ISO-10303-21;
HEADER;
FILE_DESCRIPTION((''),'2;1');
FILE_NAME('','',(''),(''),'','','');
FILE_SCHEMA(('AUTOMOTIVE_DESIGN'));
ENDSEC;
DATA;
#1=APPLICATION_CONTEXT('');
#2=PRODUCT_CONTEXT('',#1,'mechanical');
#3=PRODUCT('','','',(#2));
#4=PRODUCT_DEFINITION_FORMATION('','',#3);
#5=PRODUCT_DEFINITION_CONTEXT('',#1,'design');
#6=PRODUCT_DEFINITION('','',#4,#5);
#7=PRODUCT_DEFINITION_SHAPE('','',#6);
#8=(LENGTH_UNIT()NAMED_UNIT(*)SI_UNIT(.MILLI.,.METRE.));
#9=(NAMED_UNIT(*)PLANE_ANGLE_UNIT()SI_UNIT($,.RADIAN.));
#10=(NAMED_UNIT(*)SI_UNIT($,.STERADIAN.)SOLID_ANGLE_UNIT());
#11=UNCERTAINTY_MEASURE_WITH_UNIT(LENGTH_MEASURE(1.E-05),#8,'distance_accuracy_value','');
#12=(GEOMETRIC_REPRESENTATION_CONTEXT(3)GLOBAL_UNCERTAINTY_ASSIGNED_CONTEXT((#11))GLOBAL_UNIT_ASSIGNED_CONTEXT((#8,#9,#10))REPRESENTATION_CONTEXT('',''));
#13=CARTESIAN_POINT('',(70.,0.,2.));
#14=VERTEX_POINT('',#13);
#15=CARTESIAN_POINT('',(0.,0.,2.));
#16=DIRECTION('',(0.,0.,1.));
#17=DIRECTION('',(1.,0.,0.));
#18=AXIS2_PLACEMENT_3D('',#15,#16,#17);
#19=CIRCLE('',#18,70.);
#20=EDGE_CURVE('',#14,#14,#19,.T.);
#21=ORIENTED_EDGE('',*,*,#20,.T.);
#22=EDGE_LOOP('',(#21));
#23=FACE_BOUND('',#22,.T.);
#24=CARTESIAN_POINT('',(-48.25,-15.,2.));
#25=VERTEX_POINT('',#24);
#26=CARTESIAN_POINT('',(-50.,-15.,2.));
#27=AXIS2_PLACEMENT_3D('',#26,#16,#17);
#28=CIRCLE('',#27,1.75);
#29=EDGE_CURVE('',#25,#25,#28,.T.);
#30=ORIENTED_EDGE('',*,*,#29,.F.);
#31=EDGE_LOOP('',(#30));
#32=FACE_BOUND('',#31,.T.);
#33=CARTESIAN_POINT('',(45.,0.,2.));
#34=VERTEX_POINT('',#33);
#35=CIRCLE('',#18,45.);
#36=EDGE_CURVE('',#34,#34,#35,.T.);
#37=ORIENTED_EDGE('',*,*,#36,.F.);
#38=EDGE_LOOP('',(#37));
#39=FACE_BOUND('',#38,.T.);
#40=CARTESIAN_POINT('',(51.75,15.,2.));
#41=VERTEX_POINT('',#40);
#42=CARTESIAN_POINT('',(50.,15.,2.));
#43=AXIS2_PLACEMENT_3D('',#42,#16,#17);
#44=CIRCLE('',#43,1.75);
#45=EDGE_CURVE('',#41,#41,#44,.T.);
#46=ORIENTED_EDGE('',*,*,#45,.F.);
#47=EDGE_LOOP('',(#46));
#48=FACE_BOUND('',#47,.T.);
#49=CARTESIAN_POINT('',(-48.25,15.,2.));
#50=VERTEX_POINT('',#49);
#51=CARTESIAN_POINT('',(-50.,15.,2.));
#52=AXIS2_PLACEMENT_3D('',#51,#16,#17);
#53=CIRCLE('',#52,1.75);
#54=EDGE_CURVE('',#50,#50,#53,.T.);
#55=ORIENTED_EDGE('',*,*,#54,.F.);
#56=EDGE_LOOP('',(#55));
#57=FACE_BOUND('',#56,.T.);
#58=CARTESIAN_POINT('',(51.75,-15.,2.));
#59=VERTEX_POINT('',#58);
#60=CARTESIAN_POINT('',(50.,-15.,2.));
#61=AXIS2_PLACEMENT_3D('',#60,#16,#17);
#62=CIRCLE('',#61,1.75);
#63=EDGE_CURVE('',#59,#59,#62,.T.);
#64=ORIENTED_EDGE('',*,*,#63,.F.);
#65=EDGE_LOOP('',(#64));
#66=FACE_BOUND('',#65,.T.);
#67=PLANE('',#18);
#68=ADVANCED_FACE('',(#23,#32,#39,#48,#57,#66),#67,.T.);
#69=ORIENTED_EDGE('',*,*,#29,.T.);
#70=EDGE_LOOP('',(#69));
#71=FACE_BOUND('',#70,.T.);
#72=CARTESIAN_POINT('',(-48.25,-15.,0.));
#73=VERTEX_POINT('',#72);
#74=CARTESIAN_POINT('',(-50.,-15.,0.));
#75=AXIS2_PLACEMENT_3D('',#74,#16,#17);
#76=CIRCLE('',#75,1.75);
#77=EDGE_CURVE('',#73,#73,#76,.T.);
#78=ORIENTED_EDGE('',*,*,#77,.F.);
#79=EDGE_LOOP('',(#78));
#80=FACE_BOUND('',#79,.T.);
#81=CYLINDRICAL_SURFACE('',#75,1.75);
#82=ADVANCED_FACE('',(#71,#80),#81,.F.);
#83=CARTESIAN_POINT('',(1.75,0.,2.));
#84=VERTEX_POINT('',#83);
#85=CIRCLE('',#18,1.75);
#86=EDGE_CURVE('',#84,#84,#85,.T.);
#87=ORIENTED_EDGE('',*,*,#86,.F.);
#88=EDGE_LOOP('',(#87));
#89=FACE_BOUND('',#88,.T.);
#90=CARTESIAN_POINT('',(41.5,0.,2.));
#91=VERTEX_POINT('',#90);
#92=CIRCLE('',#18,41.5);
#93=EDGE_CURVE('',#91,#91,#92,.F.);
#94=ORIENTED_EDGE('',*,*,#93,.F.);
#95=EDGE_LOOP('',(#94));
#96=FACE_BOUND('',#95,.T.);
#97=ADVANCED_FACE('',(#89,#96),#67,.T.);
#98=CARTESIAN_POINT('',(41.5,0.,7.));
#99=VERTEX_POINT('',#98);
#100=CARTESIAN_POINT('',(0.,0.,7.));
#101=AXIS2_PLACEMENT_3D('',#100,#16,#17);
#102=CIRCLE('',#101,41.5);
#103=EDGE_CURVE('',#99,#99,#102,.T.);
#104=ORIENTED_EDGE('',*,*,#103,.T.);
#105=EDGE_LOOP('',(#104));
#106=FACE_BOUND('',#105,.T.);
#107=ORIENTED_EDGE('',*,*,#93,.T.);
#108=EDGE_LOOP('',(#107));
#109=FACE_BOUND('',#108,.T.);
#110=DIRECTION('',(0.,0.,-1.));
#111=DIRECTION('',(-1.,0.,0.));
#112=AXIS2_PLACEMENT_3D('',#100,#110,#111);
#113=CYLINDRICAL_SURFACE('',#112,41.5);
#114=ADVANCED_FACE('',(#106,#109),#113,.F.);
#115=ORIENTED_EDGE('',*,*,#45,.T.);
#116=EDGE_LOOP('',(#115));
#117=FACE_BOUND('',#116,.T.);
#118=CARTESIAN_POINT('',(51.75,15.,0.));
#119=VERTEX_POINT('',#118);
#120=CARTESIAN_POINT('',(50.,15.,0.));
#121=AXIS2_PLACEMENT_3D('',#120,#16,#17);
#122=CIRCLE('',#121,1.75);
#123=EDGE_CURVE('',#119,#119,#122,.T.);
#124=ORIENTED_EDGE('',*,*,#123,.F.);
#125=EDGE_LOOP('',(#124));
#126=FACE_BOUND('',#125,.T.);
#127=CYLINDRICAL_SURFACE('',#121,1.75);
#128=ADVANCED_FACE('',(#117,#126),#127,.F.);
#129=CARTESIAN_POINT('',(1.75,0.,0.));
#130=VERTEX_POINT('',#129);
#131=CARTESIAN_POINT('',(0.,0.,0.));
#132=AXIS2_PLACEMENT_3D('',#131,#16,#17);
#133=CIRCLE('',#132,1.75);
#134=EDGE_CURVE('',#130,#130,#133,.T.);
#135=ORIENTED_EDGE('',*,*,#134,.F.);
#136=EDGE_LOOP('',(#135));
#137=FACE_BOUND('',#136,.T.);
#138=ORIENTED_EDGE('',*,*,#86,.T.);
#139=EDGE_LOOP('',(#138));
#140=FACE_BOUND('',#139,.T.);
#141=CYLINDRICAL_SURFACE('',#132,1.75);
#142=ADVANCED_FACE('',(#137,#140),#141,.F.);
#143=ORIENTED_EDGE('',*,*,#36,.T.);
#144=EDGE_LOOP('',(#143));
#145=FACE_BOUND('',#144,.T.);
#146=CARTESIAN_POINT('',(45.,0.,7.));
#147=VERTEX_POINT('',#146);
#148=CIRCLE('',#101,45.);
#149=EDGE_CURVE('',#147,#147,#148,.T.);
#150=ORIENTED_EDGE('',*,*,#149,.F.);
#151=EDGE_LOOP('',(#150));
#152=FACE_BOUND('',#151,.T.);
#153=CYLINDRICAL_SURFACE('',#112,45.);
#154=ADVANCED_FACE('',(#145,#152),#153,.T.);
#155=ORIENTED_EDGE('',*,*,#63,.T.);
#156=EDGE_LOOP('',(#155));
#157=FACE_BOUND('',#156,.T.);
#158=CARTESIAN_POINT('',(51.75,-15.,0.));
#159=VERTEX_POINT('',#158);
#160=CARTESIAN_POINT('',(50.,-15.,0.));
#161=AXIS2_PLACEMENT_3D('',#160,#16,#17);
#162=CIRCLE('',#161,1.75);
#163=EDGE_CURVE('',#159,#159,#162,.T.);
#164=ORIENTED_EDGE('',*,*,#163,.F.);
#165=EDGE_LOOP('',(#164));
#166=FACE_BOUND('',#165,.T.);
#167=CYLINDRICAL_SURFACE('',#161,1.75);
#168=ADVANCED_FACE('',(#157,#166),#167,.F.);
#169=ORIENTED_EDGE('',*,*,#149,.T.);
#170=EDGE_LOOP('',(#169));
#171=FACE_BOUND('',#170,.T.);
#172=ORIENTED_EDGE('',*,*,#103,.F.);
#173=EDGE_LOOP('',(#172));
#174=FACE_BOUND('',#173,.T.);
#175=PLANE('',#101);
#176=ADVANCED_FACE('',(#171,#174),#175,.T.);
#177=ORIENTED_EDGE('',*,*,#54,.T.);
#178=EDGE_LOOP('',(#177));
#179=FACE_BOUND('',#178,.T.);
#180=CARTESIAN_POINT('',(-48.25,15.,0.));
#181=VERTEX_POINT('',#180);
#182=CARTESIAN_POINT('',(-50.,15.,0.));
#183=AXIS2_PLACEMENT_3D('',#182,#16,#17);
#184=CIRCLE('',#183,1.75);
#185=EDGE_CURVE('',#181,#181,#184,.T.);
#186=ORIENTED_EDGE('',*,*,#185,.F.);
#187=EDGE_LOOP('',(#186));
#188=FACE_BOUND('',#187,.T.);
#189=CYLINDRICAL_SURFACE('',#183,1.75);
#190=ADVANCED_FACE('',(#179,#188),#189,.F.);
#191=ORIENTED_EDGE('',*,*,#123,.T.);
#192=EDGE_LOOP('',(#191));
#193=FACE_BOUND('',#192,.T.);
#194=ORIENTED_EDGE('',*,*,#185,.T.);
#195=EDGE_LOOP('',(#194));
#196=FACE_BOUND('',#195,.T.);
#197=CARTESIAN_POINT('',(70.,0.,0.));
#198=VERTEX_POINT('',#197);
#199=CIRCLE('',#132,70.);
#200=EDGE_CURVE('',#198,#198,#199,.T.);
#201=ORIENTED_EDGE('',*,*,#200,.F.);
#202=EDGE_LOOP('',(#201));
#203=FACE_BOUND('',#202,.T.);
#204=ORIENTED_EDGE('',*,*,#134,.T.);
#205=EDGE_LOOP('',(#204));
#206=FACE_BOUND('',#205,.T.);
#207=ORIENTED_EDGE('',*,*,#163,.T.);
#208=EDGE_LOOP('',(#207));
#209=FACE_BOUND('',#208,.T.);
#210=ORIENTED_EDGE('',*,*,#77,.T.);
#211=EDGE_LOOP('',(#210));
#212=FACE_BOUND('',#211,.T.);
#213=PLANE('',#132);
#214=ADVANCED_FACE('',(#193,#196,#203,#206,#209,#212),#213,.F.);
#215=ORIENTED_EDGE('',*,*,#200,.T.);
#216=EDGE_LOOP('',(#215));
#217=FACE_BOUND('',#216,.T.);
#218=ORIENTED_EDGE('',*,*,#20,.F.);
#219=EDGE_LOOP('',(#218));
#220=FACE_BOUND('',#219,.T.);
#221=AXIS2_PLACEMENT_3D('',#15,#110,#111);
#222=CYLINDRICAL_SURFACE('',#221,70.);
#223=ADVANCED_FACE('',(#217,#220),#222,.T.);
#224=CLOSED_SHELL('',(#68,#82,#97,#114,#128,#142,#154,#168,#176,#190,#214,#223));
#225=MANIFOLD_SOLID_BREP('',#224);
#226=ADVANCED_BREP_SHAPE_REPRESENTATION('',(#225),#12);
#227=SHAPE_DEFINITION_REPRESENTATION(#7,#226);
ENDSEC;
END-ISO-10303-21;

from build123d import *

# Parameters (mm, degrees)
SKETCH1_R           = 70
BOSS_EXTRUDE1_DEPTH = 2
SKETCH2_R           = 1.75
CUT_EXTRUDE1_DEPTH  = 100.015150356
SKETCH4_R           = 45
SKETCH4_R_2         = 41.5
BOSS_EXTRUDE2_DEPTH = 5


with BuildPart() as part:
    # Sketch1 → Boss-Extrude1 (new body)
    with BuildSketch(Plane.XY):
        Circle(SKETCH1_R)
    extrude(amount=BOSS_EXTRUDE1_DEPTH)

    # Sketch2 → Cut-Extrude1 (cut, through all)
    with BuildSketch(Plane.XY.offset(2)):
        with Locations((-50, 15)):
            Circle(SKETCH2_R)
        with Locations((50, 15)):
            Circle(SKETCH2_R)
        with Locations((50, -15)):
            Circle(SKETCH2_R)
        with Locations((-50, -15)):
            Circle(SKETCH2_R)
        Circle(SKETCH2_R)
    extrude(amount=-CUT_EXTRUDE1_DEPTH, mode=Mode.SUBTRACT)

    # Sketch4 → Boss-Extrude2 (add)
    with BuildSketch(Plane.XY.offset(2)):
        Circle(SKETCH4_R)
        Circle(SKETCH4_R_2, mode=Mode.SUBTRACT)
    extrude(amount=BOSS_EXTRUDE2_DEPTH)


solid = part.part
